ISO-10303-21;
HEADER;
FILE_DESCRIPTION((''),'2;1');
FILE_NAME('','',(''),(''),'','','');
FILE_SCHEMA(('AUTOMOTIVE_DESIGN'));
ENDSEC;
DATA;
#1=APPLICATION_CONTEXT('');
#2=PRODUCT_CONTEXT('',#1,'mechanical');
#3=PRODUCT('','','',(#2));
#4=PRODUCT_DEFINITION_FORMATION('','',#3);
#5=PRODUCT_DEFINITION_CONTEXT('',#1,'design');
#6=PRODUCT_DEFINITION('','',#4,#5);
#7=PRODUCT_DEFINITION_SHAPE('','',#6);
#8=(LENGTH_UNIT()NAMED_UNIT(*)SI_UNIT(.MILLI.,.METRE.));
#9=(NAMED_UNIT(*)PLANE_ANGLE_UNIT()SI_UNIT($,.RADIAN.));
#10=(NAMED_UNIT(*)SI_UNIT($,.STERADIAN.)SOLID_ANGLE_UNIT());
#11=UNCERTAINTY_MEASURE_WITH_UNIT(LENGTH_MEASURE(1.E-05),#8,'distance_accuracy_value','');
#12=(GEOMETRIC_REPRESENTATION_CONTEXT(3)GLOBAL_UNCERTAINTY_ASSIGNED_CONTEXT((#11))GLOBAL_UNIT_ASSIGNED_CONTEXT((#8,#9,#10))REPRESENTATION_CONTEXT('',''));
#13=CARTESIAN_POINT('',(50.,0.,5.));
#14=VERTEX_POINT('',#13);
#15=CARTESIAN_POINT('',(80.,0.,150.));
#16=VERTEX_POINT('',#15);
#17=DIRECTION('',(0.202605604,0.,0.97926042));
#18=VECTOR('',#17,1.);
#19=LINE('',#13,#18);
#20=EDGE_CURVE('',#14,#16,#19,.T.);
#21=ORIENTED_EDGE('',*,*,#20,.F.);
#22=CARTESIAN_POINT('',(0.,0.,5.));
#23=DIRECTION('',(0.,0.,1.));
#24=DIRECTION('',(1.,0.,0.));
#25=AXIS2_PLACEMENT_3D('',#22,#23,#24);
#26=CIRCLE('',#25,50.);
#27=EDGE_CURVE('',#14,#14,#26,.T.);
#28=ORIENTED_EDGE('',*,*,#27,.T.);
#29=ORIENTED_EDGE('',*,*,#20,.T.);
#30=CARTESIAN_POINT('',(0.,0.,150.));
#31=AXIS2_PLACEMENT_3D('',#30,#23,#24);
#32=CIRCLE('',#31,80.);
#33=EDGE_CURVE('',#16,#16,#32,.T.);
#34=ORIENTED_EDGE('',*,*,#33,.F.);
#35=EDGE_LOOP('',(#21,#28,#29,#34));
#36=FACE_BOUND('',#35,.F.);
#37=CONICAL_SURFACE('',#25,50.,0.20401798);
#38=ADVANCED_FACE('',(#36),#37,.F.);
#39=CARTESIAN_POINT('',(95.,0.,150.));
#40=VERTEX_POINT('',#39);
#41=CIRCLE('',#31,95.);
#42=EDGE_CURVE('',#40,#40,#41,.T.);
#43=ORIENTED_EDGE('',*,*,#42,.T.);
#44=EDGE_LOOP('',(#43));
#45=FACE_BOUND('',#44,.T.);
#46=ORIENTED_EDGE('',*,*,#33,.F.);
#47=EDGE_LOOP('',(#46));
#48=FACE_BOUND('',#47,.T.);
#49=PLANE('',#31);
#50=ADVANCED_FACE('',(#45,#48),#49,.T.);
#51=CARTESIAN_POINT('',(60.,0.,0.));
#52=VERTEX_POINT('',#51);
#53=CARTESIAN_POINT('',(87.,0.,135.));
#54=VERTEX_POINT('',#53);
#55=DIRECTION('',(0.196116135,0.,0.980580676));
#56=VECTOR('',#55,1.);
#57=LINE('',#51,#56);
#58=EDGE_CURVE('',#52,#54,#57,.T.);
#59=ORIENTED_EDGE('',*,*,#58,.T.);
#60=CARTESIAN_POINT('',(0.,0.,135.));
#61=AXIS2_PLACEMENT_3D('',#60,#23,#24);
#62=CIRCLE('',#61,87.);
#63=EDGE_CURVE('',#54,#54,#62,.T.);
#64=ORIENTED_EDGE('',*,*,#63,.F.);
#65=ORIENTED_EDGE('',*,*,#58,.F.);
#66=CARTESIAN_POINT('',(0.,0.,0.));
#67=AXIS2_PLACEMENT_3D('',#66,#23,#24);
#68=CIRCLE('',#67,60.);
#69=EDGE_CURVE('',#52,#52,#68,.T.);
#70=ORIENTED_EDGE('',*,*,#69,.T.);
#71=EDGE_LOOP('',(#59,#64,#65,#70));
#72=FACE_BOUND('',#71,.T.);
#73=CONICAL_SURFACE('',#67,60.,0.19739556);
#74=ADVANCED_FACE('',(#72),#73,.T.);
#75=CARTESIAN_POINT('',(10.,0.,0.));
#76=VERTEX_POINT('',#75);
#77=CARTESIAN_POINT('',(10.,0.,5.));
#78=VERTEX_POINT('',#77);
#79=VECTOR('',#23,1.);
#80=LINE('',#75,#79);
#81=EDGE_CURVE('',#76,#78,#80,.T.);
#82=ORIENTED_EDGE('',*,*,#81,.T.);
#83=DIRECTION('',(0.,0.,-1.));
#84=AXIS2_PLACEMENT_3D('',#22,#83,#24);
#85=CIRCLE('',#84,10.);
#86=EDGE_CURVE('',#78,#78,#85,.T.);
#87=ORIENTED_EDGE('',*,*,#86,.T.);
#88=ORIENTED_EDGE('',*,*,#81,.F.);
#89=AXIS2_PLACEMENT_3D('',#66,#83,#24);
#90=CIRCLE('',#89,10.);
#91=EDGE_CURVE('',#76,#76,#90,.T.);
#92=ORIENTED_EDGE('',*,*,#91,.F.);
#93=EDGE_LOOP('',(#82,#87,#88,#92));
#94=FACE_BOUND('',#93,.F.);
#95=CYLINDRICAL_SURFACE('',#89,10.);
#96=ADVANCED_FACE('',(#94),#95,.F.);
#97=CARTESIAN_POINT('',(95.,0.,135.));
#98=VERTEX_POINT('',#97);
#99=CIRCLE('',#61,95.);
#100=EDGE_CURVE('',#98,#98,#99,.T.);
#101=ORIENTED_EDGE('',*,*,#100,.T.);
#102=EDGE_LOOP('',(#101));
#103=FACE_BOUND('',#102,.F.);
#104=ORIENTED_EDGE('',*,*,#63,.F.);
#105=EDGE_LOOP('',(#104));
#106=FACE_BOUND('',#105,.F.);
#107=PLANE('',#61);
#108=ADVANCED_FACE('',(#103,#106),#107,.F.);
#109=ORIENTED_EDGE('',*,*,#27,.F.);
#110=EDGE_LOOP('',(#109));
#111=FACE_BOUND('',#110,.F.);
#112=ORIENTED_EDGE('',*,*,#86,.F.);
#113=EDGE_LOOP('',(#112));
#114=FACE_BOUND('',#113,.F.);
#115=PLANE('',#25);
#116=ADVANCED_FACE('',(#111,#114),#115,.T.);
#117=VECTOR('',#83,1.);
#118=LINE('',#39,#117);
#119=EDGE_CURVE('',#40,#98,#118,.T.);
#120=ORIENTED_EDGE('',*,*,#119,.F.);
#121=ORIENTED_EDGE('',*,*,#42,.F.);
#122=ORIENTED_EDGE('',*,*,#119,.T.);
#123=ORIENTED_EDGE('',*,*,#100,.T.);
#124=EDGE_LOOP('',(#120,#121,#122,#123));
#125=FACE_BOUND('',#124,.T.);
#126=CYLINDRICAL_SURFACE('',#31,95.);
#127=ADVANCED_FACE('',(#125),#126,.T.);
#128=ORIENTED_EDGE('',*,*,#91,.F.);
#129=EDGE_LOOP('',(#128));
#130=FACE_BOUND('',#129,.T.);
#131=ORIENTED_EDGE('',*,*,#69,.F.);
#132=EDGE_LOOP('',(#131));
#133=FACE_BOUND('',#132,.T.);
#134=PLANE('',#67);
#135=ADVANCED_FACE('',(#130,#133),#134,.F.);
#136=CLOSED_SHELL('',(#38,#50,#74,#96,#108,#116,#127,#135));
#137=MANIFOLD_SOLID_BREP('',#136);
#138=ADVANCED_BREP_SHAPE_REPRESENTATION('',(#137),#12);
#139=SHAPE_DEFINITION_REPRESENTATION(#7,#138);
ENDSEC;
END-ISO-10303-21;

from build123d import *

# Parameters (mm, degrees)
SKETCH_R      = 10
POCKET_DEPTH  = 5
SKETCH001_R   = 95
SKETCH001_R_2 = 82.96172
PAD_DEPTH     = 15


with BuildPart() as kegel001:
    # Cone001 → Cone001 (revolve)
    with BuildSketch(Plane(origin=(0, 0, 5), x_dir=(1, 0, 0), z_dir=(0, -1, 0))):
        Polygon((0, 0), (50, 0), (80, 145), (0, 145), align=None)
    revolve(axis=Axis((0, 0, 5), (0, 0, 1)))


with BuildPart() as pocket:
    # Cone → Cone (revolve)
    with BuildSketch(Plane.XZ):
        Polygon((0, 0), (60, 0), (90, 150), (0, 150), align=None)
    revolve(axis=Axis((0, 0, 0), (0, 0, 1)))

    # Cut: cut Kegel001
    add(kegel001.part, mode=Mode.SUBTRACT)

    # Sketch → Pocket (cut)
    with BuildSketch(Plane(origin=(0, 0, 0), x_dir=(1, 0, 0), z_dir=(0, 0, -1))):
        Circle(SKETCH_R)
    extrude(amount=-POCKET_DEPTH, mode=Mode.SUBTRACT)


with BuildPart() as blumentopf:
    # Sketch001 → Pad (new body)
    with BuildSketch(Plane.XY.offset(150)):
        Circle(SKETCH001_R)
        Circle(SKETCH001_R_2, mode=Mode.SUBTRACT)
    extrude(amount=-PAD_DEPTH)

    # Fusion: union Pocket
    add(pocket.part)


solid = blumentopf.part
